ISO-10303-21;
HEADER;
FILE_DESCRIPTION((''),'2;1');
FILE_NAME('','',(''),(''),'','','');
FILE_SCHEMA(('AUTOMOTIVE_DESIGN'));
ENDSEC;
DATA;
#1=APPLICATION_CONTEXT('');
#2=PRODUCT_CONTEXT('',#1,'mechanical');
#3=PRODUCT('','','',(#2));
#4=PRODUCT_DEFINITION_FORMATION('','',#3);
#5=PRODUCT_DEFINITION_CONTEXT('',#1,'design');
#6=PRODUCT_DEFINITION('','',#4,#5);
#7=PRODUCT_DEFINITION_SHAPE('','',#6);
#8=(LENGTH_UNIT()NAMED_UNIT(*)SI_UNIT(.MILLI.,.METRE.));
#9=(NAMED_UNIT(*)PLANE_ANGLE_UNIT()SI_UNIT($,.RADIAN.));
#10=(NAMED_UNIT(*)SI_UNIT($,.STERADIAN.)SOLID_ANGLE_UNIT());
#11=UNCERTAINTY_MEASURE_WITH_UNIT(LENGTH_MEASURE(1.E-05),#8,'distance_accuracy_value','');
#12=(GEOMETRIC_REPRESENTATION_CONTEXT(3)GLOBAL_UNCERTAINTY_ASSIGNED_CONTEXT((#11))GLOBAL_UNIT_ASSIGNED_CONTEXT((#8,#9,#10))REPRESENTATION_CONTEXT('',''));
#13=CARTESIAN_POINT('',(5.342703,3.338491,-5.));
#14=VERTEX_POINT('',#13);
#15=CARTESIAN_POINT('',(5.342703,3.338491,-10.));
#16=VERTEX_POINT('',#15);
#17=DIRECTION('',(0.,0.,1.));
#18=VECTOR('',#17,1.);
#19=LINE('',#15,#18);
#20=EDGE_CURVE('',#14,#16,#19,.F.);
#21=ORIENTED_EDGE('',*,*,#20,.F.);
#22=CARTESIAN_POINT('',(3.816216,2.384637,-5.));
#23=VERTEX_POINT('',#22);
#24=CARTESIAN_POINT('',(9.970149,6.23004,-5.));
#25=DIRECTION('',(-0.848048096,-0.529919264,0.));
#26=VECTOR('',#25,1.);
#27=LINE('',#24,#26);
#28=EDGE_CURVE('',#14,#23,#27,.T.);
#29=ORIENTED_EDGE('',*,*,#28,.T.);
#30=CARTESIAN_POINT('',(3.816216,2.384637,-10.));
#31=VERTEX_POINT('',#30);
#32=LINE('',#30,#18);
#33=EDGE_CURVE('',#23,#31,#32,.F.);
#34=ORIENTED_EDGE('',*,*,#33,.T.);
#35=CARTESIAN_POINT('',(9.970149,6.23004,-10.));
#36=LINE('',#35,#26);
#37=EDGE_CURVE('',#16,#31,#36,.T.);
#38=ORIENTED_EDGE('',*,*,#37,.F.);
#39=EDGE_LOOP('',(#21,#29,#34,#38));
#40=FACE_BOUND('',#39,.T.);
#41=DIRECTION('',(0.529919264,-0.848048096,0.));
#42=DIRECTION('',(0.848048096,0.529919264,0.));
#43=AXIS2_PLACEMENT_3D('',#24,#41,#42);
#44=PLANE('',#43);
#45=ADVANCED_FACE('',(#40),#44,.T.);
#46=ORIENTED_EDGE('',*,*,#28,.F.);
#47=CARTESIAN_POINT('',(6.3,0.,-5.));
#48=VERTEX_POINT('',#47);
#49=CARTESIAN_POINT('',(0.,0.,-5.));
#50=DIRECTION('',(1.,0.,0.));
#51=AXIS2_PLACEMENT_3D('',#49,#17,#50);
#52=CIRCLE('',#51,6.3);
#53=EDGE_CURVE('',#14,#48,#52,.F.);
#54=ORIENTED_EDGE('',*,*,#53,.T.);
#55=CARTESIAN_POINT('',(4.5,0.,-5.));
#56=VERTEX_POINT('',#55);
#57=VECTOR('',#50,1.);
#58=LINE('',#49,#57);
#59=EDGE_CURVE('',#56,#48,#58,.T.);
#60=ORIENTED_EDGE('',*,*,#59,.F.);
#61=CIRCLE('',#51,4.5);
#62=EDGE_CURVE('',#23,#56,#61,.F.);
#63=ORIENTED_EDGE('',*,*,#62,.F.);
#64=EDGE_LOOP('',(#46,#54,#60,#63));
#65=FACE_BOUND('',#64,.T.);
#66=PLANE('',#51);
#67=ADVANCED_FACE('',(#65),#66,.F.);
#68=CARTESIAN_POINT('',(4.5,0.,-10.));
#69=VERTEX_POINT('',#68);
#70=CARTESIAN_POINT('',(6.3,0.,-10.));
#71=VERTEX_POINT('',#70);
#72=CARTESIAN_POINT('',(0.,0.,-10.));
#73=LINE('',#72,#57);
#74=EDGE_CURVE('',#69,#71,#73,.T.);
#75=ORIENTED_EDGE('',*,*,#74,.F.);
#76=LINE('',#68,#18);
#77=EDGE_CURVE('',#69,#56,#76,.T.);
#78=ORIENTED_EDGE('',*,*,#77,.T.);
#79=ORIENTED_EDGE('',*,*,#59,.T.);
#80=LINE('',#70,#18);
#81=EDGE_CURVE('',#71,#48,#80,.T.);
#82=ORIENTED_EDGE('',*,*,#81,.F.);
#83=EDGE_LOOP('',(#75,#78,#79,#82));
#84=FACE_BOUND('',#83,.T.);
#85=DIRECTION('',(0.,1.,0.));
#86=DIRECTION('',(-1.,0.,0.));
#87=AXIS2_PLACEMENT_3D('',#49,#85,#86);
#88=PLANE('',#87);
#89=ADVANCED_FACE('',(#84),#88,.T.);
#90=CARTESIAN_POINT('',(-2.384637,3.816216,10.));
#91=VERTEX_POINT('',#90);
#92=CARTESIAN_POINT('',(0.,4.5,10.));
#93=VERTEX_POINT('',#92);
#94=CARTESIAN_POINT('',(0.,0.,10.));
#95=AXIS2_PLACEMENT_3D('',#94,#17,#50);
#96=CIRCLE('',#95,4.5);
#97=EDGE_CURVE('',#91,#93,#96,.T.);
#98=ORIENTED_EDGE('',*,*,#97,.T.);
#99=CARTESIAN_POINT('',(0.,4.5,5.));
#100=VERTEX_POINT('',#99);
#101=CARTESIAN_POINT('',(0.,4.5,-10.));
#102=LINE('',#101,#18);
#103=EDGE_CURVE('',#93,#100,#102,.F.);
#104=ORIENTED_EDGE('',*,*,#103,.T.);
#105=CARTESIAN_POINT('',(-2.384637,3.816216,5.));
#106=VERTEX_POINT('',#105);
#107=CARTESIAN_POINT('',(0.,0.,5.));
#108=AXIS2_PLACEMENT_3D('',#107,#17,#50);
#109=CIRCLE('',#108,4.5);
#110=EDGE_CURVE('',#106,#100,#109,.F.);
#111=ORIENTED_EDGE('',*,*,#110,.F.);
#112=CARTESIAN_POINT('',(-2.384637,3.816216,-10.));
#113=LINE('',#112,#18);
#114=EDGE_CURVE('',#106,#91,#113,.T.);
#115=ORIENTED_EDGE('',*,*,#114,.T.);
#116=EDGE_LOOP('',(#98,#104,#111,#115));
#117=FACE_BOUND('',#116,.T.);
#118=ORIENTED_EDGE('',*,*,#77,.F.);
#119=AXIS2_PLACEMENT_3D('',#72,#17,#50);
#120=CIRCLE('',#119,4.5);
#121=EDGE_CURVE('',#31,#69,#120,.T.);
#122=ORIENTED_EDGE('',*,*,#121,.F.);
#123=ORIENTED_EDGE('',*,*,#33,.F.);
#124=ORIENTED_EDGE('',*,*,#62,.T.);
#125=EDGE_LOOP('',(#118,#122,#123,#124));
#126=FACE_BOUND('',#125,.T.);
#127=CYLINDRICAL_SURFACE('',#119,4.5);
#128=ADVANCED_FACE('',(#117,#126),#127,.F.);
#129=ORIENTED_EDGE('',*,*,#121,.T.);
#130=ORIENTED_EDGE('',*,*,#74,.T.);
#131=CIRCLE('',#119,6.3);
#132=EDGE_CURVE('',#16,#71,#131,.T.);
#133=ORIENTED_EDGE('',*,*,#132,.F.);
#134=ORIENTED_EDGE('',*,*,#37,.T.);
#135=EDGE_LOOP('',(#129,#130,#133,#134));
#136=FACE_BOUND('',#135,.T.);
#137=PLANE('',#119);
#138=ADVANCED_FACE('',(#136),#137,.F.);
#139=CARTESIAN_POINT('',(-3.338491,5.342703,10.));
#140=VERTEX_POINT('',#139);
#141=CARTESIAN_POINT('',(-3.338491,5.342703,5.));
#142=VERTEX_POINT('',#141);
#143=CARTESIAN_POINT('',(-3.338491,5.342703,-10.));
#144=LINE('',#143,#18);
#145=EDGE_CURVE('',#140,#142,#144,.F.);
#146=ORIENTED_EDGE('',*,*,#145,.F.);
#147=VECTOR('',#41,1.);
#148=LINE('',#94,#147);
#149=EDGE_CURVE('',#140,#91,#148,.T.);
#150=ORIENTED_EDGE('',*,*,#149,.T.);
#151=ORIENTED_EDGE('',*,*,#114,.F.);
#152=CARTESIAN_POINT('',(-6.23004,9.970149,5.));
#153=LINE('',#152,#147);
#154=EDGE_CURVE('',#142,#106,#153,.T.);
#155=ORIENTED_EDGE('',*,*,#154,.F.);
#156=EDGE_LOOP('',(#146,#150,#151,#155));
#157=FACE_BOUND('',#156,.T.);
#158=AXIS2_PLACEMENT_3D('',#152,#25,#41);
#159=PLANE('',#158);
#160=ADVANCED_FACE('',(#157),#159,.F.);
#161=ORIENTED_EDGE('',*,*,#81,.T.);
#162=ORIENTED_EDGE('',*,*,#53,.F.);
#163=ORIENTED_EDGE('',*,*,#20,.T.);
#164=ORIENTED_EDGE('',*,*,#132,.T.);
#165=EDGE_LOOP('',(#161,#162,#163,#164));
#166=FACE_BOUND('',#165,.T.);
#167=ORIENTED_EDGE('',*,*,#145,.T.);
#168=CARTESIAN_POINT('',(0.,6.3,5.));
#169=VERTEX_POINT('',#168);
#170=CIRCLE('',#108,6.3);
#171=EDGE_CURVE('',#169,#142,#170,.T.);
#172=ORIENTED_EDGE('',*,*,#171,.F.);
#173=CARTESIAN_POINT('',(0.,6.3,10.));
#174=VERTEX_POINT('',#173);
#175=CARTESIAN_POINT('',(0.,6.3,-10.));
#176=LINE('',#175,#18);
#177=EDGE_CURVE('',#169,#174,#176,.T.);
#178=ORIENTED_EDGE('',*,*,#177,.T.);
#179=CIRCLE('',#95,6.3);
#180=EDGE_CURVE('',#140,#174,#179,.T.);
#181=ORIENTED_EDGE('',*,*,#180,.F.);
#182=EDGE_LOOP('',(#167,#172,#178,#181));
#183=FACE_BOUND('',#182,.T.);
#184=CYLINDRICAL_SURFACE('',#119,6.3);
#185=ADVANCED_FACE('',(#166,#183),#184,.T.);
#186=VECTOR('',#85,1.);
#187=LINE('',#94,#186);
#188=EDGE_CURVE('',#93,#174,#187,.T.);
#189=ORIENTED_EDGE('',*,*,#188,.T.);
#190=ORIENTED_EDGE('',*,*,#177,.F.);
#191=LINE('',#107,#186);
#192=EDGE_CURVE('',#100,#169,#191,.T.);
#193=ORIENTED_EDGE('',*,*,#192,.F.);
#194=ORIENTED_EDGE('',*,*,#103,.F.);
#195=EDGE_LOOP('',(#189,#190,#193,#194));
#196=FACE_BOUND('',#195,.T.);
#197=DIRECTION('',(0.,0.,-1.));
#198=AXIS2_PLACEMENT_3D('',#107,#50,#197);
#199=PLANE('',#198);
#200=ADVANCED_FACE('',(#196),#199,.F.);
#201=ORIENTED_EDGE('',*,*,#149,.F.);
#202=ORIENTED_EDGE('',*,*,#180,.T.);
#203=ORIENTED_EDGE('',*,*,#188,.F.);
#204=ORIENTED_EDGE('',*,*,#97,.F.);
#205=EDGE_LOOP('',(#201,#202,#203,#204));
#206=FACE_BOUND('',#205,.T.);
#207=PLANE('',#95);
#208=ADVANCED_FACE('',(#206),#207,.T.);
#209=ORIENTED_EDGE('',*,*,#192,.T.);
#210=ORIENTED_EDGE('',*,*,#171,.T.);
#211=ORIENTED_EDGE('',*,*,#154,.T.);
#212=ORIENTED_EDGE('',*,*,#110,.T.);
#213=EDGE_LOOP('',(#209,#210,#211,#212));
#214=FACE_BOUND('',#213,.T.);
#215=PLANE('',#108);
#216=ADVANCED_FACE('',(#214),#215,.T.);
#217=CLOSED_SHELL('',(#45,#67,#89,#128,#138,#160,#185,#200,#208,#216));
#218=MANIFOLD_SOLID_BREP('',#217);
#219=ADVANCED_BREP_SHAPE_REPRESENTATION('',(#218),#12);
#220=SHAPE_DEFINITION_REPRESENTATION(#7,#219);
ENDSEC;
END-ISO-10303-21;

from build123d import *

# Parameters (mm, degrees)
BOSS_EXTRUDE1_DEPTH      = 10
BOSS_EXTRUDE1_DEPTH_BACK = 10
SKETCH1_R                = 6.5
SKETCH1_R_2              = 4.5
CUT_EXTRUDE2_DEPTH       = 5
SKETCH4_R                = 6.5
SKETCH4_R_2              = 6.3
CUT_EXTRUDE4_DEPTH       = 23.011360703
CUT_EXTRUDE3_DEPTH       = 5


with BuildPart() as part:
    # Sketch1 → Boss-Extrude1 (new, two sides: drawn at the far end of the back side and taken through both)
    with BuildSketch(Plane.XY.offset(-BOSS_EXTRUDE1_DEPTH_BACK)):
        Circle(SKETCH1_R)
        Circle(SKETCH1_R_2, mode=Mode.SUBTRACT)
    extrude(amount=BOSS_EXTRUDE1_DEPTH + BOSS_EXTRUDE1_DEPTH_BACK)

    # Sketch2 → Cut-Extrude2 (cut)
    with BuildSketch(Plane.XY.offset(10)):
        with BuildLine():
            Line((-6.230040483, 9.970148902), (0, 0))
            Line((0, 0), (0, 11.756584264))
            ThreePointArc((0, 11.756584264), (-3.2405538, 11.301154128), (-6.230040483, 9.970148902))
        make_face()
    extrude(amount=-CUT_EXTRUDE2_DEPTH, mode=Mode.SUBTRACT)

    # Sketch4 → Cut-Extrude4 (cut, through all)
    with BuildSketch(Plane.XY.offset(10)):
        Circle(SKETCH4_R)
        Circle(SKETCH4_R_2, mode=Mode.SUBTRACT)
    extrude(amount=-CUT_EXTRUDE4_DEPTH, mode=Mode.SUBTRACT)

    # Sketch3 → Cut-Extrude3 (cut)
    with BuildSketch(Plane.XY.offset(-10)):
        with BuildLine():
            Line((9.970148902, 6.230040483), (0, 0))
            Line((0, 0), (11.756584264, 0))
            ThreePointArc((11.756584264, 0), (11.301154128, 3.2405538), (9.970148902, 6.230040483))
        make_face()
    extrude(amount=CUT_EXTRUDE3_DEPTH, mode=Mode.SUBTRACT)


solid = part.part
